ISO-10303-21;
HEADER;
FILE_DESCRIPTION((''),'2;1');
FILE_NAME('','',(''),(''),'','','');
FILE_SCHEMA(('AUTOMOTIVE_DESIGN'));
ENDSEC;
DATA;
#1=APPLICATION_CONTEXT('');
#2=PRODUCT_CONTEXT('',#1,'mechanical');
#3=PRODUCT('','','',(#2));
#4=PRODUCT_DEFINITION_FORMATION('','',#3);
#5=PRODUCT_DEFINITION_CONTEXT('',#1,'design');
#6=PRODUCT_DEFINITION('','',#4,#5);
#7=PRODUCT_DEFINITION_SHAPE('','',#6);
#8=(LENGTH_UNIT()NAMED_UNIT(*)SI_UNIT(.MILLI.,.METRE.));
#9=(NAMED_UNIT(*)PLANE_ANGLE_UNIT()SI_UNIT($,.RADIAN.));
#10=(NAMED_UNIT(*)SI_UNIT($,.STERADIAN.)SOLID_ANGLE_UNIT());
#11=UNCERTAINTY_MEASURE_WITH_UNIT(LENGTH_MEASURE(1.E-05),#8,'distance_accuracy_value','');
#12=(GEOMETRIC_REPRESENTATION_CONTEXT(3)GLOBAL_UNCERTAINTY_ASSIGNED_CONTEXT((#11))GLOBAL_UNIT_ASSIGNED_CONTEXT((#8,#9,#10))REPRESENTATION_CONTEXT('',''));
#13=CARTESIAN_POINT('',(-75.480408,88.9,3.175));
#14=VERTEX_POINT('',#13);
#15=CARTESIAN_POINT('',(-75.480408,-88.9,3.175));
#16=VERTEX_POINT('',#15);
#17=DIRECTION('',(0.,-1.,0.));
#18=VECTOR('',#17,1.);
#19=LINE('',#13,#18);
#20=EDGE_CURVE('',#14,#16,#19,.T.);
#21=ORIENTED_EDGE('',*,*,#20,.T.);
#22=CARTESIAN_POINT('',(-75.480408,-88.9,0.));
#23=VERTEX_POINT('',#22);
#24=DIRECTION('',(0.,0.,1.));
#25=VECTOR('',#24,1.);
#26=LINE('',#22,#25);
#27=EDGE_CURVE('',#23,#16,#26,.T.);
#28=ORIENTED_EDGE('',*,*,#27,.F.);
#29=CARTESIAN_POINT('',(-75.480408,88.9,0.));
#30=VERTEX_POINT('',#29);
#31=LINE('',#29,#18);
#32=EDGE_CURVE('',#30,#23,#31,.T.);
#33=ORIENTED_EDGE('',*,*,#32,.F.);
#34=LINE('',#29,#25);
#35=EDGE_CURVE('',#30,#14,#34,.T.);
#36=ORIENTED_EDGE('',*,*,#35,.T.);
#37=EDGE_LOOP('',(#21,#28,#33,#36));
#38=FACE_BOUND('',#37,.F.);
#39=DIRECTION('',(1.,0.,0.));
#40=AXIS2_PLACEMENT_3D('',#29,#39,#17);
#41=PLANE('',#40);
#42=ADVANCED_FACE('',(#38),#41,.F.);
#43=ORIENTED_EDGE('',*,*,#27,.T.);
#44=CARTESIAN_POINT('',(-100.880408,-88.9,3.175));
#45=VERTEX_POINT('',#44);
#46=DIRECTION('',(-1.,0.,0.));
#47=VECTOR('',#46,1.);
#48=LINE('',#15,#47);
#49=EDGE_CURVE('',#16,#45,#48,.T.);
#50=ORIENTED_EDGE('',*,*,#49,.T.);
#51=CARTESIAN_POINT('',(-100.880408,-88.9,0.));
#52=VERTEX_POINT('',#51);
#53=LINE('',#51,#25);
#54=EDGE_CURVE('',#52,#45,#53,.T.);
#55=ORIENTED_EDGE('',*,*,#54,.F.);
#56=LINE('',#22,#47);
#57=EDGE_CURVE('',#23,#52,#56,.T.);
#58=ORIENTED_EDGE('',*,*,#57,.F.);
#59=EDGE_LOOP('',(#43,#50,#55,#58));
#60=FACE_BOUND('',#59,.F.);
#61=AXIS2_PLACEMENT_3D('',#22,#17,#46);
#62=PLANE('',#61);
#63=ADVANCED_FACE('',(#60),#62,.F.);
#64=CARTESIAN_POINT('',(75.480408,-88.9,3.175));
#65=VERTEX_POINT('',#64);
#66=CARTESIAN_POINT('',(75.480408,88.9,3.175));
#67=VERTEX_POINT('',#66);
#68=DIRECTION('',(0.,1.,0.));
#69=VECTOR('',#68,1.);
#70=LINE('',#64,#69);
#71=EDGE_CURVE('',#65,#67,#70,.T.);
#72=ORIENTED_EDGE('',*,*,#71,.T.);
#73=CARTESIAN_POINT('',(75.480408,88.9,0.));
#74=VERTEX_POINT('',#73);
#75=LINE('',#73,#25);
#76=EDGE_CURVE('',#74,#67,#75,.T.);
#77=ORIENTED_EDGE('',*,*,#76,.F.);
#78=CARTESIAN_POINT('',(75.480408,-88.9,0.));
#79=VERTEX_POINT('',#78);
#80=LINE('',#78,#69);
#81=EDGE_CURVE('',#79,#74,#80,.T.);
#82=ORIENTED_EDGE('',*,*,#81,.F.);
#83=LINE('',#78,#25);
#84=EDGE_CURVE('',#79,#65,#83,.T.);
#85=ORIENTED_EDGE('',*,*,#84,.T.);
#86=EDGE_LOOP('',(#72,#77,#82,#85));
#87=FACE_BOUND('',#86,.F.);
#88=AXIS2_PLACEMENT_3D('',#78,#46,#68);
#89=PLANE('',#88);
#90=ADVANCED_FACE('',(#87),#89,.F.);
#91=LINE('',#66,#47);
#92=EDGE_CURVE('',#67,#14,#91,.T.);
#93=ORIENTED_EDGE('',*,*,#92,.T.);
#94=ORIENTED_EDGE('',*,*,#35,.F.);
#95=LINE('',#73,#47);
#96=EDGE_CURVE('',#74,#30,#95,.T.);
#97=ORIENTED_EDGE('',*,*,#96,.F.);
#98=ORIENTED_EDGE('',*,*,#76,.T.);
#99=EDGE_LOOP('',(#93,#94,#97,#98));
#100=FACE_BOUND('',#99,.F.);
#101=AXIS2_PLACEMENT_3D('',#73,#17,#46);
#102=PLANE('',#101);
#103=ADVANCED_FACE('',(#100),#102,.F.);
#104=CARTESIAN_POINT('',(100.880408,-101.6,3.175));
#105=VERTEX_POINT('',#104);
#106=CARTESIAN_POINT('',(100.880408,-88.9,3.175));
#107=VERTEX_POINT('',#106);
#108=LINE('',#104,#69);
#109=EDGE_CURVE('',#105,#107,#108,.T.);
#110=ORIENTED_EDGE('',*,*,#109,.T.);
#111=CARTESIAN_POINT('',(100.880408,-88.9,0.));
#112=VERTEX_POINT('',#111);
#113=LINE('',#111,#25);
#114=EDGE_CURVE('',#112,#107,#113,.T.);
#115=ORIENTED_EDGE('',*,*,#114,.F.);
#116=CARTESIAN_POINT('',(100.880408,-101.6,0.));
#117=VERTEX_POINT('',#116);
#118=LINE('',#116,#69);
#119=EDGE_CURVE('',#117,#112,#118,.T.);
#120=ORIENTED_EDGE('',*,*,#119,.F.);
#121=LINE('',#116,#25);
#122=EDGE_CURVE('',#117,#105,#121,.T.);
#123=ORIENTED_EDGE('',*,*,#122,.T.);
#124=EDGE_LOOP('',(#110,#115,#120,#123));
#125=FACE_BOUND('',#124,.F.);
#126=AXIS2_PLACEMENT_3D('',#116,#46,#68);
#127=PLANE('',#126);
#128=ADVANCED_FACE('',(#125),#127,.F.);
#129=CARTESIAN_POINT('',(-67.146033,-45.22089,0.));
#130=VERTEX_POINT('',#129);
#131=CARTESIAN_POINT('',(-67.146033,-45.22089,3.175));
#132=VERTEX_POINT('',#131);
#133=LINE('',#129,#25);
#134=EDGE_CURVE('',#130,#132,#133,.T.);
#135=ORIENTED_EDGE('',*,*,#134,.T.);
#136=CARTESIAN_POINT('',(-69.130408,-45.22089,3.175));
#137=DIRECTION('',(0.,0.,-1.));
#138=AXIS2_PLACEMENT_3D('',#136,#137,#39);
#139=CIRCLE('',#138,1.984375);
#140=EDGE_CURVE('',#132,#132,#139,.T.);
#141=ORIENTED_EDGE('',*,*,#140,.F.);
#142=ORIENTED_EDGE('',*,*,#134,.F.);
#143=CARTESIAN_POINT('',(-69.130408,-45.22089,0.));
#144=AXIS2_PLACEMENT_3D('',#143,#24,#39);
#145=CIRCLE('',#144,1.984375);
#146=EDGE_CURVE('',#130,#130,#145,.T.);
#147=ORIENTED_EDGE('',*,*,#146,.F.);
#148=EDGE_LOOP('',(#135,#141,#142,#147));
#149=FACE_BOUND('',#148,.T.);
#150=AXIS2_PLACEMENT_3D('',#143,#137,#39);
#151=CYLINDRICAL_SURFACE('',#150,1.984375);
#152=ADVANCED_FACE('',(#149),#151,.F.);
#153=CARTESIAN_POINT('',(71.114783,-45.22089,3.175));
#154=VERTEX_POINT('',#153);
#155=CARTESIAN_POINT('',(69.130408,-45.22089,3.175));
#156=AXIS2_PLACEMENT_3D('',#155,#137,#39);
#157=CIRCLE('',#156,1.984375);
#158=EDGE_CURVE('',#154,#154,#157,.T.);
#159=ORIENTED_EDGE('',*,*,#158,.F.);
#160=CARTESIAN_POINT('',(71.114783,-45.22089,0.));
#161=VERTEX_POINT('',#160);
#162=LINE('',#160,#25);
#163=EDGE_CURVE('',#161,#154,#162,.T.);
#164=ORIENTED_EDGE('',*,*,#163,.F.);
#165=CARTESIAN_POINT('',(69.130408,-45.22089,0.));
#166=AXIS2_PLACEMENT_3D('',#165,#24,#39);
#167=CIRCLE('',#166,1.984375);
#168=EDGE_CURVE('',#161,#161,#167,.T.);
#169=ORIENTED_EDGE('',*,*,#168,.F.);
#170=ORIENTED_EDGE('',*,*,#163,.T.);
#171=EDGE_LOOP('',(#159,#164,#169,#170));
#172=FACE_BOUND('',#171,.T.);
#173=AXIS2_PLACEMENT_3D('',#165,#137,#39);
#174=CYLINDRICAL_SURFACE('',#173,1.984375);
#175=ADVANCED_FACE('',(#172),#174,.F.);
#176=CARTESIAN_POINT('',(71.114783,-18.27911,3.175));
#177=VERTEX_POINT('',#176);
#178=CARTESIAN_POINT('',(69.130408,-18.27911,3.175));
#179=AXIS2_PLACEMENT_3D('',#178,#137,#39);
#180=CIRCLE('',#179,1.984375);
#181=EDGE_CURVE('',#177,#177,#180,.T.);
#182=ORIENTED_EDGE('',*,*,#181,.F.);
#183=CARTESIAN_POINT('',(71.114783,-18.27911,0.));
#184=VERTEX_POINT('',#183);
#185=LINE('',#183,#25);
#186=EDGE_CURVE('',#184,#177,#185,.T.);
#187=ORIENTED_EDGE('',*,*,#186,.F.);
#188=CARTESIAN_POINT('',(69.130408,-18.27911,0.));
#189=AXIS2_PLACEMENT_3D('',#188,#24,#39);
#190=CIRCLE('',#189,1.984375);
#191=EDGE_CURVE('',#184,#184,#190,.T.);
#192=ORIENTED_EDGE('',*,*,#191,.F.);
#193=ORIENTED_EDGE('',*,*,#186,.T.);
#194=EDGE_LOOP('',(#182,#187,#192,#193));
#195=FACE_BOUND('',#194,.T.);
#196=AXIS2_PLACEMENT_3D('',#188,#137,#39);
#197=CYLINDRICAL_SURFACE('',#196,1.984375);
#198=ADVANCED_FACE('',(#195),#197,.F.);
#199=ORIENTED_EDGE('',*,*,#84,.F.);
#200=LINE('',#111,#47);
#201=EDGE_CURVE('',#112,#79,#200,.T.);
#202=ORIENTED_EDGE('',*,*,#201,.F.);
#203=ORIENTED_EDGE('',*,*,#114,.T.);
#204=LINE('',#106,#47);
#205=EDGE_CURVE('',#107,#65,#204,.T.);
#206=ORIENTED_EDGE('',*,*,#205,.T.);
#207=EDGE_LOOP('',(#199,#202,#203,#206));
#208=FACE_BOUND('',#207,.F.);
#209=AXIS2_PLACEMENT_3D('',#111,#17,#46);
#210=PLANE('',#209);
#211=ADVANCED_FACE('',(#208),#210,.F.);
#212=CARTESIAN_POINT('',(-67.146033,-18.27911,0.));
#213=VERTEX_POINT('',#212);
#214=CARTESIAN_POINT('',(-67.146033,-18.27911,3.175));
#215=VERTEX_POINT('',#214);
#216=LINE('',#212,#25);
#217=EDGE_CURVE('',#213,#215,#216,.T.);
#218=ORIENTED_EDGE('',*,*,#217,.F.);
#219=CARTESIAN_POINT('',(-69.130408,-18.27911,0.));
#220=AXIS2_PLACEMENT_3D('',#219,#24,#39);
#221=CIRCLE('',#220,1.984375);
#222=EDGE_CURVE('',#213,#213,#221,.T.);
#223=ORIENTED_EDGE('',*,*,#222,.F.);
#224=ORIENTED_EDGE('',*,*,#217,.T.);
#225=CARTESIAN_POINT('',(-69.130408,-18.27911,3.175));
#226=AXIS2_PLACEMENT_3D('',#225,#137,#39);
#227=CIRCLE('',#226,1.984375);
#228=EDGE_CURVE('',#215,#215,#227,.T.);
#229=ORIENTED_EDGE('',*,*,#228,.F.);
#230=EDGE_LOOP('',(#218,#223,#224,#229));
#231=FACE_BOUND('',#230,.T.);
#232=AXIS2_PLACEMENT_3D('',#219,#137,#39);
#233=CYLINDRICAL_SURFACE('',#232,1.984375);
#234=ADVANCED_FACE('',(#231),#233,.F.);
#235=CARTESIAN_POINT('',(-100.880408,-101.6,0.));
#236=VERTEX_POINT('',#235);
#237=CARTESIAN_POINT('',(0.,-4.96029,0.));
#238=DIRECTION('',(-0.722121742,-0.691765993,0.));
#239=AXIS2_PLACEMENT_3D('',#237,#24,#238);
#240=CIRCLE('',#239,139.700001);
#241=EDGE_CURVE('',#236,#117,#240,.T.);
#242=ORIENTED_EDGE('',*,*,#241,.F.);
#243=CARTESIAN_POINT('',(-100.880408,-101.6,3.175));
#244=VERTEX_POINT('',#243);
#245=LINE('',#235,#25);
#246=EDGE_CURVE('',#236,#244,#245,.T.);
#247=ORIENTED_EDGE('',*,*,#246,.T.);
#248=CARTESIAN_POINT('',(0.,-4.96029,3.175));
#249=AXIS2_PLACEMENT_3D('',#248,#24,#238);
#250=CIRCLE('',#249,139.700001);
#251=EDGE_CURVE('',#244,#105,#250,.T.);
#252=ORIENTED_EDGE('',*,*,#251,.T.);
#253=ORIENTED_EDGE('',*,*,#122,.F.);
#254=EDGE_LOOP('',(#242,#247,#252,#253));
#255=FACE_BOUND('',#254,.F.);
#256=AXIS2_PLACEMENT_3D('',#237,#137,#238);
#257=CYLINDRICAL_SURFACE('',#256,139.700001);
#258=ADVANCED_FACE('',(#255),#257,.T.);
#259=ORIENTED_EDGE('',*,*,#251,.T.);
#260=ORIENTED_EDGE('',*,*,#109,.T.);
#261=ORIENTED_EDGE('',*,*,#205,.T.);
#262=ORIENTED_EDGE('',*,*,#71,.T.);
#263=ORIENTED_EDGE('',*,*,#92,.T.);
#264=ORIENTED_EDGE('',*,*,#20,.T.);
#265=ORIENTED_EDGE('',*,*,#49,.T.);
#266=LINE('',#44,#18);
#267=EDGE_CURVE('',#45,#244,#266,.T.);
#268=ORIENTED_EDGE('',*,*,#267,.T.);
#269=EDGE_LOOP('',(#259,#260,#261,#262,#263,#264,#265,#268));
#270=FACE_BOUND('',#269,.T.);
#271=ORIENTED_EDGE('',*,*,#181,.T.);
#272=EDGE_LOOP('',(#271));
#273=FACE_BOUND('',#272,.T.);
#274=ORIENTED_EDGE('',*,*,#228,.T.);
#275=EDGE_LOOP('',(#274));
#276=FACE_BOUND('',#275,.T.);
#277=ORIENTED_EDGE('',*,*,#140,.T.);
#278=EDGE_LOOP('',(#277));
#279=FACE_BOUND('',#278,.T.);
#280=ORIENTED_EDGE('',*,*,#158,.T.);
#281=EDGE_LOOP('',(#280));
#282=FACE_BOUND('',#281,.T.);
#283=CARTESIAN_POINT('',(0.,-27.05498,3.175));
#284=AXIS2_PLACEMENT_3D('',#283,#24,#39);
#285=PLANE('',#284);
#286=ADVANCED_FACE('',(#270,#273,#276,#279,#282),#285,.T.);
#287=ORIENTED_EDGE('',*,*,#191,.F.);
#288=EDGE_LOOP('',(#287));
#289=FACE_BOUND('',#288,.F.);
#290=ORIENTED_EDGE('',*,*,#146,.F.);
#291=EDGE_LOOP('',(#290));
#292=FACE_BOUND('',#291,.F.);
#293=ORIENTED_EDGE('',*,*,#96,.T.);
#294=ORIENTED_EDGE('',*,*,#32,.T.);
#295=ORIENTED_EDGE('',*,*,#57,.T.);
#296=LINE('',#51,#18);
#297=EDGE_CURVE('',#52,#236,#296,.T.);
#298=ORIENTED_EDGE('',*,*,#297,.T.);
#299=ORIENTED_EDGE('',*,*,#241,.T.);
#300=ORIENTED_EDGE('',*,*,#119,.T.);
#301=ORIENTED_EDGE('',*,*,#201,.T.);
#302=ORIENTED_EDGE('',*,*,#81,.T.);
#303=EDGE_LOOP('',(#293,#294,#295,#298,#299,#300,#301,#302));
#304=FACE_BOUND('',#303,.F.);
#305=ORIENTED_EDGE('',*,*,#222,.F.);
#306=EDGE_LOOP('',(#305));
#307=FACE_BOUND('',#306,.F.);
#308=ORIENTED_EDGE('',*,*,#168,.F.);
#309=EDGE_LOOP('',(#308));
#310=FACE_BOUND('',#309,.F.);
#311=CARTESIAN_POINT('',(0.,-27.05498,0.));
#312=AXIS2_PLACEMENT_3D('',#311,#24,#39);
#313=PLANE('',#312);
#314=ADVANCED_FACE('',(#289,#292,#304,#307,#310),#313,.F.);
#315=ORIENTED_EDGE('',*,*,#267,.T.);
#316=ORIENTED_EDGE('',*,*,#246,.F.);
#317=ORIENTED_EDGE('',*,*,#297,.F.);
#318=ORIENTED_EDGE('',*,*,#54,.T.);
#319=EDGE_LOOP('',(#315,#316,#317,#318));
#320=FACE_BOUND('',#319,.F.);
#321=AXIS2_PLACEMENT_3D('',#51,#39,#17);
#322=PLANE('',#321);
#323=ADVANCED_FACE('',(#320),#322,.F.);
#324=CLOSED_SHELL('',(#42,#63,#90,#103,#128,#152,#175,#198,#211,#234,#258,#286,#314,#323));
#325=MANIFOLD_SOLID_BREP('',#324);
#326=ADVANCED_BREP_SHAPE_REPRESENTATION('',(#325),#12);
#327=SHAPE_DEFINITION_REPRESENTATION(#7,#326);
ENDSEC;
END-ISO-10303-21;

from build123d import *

# Parameters (mm, degrees)
F1_DEPTH = 3.175
F2_R     = 1.984375
F3_DEPTH = 3.176


with BuildPart() as f1:
    # F0 (on Top) → F1 (new body)
    with BuildSketch(Plane.XY):
        with BuildLine():
            Line((75.480408, 88.9), (-75.480408, 88.9))
            Line((-75.480408, 88.9), (-75.480408, -88.9))
            Line((-75.480408, -88.9), (-100.880408, -88.9))
            Line((-100.880408, -88.9), (-100.880408, -101.6))
            ThreePointArc((-100.880408, -101.6), (0, -144.660291), (100.880408, -101.6))
            Line((100.880408, -101.6), (100.880408, -88.9))
            Line((100.880408, -88.9), (75.480408, -88.9))
            Line((75.480408, -88.9), (75.480408, 88.9))
        make_face()
    extrude(amount=F1_DEPTH)

    # F2 (on Top) → F3 (cut, through all)
    with BuildSketch(Plane.XY):
        with Locations((69.130408, -45.22089)):
            Circle(F2_R)
        with Locations((69.130408, -18.27911)):
            Circle(F2_R)
        with Locations((-69.130408, -45.22089)):
            Circle(F2_R)
        with Locations((-69.130408, -18.27911)):
            Circle(F2_R)
    extrude(amount=F3_DEPTH, mode=Mode.SUBTRACT)


solid = f1.part
